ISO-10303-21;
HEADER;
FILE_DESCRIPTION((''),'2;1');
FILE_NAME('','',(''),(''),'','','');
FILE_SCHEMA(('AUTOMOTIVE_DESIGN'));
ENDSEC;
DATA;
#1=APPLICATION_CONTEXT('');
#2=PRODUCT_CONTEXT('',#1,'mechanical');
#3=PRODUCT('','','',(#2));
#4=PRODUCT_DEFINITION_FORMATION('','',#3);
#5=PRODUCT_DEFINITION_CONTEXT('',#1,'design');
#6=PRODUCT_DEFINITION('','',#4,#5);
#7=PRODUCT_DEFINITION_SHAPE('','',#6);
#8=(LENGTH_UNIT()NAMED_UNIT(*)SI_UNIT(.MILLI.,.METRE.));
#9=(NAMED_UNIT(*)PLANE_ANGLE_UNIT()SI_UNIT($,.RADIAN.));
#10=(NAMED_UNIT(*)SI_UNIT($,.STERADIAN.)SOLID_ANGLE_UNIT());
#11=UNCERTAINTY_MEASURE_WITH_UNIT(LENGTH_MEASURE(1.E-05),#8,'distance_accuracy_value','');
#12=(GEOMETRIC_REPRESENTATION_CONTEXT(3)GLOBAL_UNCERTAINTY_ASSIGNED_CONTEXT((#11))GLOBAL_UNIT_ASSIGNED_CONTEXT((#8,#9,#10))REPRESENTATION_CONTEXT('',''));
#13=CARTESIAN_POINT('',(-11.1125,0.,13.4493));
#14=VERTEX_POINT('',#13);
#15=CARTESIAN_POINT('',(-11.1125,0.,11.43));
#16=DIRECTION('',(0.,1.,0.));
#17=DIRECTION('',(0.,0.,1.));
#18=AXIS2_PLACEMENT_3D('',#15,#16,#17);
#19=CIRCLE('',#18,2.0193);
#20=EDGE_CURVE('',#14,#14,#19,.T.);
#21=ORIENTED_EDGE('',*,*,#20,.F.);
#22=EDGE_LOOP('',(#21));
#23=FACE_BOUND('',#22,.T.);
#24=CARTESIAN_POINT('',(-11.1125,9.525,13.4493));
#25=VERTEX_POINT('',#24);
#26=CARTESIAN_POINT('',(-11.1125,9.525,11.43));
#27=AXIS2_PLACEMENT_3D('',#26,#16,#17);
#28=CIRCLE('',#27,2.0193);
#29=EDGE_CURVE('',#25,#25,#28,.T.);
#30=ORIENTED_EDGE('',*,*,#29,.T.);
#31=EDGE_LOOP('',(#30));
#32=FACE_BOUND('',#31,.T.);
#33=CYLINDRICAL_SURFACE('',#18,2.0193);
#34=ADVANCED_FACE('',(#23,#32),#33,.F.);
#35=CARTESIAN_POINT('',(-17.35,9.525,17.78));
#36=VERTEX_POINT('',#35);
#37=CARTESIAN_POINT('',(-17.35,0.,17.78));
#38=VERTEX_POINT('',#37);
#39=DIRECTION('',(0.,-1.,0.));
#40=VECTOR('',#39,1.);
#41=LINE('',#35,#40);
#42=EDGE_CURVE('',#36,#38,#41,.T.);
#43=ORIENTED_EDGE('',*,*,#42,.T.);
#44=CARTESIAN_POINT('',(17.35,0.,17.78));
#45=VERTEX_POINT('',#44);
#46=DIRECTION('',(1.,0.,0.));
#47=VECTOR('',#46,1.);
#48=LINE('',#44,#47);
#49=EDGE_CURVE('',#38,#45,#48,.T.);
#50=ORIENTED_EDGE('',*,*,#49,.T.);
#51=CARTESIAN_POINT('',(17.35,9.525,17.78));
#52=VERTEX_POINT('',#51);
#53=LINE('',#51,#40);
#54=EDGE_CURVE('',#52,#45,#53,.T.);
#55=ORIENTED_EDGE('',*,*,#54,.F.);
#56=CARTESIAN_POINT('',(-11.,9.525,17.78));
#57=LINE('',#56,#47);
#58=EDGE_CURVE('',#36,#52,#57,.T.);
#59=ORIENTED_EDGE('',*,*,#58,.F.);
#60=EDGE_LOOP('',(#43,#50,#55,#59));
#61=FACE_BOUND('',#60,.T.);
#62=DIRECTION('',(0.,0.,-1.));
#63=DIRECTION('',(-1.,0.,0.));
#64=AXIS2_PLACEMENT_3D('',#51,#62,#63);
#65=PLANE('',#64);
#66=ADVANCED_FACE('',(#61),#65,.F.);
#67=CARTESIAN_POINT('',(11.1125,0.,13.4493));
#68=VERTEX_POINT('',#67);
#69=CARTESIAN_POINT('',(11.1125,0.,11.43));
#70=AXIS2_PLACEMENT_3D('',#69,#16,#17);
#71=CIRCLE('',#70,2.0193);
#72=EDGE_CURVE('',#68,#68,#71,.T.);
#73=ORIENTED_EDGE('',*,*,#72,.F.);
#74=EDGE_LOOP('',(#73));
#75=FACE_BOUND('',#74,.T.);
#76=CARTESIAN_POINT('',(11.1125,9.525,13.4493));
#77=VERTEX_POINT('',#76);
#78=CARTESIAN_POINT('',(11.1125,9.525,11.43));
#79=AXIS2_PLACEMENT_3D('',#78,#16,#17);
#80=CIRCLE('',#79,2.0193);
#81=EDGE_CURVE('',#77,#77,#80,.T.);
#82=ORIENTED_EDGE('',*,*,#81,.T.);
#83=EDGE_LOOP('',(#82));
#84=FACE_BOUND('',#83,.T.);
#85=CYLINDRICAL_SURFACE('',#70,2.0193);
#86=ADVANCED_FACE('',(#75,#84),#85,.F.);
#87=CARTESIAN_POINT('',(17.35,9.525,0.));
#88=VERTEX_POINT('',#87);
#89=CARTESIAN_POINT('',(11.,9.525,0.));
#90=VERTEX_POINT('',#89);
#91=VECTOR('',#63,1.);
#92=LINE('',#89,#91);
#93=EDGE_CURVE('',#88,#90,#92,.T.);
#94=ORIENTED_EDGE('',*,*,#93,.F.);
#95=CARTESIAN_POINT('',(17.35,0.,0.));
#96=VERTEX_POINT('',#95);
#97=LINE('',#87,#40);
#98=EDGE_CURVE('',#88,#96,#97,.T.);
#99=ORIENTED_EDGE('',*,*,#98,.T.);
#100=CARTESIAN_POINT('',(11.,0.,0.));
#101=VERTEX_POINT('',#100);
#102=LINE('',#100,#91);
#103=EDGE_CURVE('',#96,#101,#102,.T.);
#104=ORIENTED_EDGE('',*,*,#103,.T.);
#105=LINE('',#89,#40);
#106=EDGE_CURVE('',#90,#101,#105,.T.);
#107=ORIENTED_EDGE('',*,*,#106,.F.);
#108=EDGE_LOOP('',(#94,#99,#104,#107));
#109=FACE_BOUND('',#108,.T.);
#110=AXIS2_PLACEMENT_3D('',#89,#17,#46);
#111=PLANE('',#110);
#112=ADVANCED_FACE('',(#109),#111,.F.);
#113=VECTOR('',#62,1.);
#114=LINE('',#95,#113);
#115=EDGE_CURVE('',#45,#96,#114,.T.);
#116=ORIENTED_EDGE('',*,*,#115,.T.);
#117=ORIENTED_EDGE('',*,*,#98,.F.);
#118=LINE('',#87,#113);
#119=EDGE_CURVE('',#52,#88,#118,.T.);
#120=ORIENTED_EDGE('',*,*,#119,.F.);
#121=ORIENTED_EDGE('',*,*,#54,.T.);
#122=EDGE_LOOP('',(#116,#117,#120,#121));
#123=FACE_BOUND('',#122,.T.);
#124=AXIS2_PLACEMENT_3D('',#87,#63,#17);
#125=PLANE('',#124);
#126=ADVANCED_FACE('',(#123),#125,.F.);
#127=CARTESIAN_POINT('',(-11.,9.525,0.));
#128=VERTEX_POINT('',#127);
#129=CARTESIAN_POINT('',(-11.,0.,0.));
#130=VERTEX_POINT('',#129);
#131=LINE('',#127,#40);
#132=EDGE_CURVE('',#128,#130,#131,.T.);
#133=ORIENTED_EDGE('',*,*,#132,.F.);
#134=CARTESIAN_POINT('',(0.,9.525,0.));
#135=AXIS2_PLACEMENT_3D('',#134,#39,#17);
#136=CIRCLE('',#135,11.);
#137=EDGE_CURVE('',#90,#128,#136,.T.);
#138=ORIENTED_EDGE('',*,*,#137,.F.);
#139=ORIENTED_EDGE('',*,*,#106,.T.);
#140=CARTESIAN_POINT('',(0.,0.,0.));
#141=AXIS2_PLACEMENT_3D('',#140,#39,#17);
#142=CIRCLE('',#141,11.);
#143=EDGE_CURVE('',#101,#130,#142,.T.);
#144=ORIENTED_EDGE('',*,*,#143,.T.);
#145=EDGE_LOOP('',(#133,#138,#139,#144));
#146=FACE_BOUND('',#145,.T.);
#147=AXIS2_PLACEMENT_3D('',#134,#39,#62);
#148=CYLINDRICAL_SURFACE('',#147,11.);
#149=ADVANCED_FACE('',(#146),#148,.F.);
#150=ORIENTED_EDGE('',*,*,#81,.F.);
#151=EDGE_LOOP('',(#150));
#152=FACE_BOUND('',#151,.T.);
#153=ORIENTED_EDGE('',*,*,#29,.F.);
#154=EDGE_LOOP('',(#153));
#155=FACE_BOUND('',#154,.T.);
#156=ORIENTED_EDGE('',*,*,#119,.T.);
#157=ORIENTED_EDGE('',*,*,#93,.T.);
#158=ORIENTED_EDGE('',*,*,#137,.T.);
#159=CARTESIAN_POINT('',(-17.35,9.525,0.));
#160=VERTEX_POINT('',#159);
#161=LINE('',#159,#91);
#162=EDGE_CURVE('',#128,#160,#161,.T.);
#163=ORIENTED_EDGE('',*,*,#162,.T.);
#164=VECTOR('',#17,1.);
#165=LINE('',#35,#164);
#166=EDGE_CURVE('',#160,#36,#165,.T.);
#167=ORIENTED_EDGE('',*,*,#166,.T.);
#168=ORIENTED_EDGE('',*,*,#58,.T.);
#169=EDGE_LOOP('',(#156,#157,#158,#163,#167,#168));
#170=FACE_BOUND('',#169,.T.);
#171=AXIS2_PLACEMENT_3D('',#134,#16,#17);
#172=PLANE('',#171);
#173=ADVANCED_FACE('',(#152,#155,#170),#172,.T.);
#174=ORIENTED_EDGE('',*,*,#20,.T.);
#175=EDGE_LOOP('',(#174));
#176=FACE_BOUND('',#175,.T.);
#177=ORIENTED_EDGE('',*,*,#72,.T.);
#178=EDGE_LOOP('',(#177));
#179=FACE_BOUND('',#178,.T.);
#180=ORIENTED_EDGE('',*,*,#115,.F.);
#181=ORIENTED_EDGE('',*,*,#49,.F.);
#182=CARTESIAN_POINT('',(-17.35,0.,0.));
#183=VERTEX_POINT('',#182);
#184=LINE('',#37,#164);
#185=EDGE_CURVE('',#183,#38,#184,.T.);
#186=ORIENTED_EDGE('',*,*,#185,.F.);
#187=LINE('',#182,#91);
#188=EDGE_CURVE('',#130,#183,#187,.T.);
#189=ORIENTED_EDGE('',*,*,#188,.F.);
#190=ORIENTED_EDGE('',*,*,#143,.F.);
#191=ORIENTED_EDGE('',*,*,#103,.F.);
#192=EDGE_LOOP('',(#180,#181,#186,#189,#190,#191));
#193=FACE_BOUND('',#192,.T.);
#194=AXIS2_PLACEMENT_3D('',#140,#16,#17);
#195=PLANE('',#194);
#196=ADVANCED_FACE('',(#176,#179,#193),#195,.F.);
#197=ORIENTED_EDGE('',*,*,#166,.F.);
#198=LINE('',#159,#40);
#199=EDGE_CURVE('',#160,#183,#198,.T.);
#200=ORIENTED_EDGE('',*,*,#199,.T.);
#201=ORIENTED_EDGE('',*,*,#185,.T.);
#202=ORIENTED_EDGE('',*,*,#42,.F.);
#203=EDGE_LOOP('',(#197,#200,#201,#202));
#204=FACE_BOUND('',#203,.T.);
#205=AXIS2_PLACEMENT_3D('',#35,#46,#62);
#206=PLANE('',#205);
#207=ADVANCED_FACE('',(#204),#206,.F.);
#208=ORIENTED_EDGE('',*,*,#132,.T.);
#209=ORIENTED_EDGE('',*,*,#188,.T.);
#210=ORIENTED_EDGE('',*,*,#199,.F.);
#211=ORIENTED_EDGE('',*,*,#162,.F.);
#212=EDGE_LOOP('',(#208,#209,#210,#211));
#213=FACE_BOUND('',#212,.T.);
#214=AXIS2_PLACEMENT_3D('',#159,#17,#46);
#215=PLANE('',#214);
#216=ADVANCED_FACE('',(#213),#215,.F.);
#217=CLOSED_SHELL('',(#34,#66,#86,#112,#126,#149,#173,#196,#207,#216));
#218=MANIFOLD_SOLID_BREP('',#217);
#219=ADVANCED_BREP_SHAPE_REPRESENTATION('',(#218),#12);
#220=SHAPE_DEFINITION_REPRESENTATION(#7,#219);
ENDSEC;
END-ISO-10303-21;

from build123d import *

# Parameters (mm, degrees)
BOSS_EXTRUDE1_DEPTH = 9.525
SKETCH3_R           = 2.0193
CUT_EXTRUDE2_DEPTH  = 10.525


with BuildPart() as part:
    # Sketch1 → Boss-Extrude1 (new body)
    with BuildSketch(Plane(origin=(0, 0, 0), x_dir=(1, 0, 0), z_dir=(0, 1, 0))):
        with BuildLine():
            Line((-10.999999971, -17.78), (10.999999971, -17.78))
            Line((10.999999971, -17.78), (17.349999971, -17.78))
            Line((17.349999971, -17.78), (17.349999971, 0))
            Line((17.349999971, 0), (10.999999971, 0))
            ThreePointArc((10.999999971, 0), (0, -10.999999971), (-10.999999971, 0))
            Line((-10.999999971, 0), (-17.349999971, 0))
            Line((-17.349999971, 0), (-17.349999971, -17.78))
            Line((-17.349999971, -17.78), (-10.999999971, -17.78))
        make_face()
    extrude(amount=BOSS_EXTRUDE1_DEPTH)

    # Sketch3 → Cut-Extrude2 (cut, through all)
    with BuildSketch(Plane(origin=(0, 9.525, 0), x_dir=(1, 0, 0), z_dir=(0, 1, 0))):
        with Locations((11.1125, -11.43)):
            Circle(SKETCH3_R)
        with Locations((-11.1125, -11.43)):
            Circle(SKETCH3_R)
    extrude(amount=-CUT_EXTRUDE2_DEPTH, mode=Mode.SUBTRACT)


solid = part.part
